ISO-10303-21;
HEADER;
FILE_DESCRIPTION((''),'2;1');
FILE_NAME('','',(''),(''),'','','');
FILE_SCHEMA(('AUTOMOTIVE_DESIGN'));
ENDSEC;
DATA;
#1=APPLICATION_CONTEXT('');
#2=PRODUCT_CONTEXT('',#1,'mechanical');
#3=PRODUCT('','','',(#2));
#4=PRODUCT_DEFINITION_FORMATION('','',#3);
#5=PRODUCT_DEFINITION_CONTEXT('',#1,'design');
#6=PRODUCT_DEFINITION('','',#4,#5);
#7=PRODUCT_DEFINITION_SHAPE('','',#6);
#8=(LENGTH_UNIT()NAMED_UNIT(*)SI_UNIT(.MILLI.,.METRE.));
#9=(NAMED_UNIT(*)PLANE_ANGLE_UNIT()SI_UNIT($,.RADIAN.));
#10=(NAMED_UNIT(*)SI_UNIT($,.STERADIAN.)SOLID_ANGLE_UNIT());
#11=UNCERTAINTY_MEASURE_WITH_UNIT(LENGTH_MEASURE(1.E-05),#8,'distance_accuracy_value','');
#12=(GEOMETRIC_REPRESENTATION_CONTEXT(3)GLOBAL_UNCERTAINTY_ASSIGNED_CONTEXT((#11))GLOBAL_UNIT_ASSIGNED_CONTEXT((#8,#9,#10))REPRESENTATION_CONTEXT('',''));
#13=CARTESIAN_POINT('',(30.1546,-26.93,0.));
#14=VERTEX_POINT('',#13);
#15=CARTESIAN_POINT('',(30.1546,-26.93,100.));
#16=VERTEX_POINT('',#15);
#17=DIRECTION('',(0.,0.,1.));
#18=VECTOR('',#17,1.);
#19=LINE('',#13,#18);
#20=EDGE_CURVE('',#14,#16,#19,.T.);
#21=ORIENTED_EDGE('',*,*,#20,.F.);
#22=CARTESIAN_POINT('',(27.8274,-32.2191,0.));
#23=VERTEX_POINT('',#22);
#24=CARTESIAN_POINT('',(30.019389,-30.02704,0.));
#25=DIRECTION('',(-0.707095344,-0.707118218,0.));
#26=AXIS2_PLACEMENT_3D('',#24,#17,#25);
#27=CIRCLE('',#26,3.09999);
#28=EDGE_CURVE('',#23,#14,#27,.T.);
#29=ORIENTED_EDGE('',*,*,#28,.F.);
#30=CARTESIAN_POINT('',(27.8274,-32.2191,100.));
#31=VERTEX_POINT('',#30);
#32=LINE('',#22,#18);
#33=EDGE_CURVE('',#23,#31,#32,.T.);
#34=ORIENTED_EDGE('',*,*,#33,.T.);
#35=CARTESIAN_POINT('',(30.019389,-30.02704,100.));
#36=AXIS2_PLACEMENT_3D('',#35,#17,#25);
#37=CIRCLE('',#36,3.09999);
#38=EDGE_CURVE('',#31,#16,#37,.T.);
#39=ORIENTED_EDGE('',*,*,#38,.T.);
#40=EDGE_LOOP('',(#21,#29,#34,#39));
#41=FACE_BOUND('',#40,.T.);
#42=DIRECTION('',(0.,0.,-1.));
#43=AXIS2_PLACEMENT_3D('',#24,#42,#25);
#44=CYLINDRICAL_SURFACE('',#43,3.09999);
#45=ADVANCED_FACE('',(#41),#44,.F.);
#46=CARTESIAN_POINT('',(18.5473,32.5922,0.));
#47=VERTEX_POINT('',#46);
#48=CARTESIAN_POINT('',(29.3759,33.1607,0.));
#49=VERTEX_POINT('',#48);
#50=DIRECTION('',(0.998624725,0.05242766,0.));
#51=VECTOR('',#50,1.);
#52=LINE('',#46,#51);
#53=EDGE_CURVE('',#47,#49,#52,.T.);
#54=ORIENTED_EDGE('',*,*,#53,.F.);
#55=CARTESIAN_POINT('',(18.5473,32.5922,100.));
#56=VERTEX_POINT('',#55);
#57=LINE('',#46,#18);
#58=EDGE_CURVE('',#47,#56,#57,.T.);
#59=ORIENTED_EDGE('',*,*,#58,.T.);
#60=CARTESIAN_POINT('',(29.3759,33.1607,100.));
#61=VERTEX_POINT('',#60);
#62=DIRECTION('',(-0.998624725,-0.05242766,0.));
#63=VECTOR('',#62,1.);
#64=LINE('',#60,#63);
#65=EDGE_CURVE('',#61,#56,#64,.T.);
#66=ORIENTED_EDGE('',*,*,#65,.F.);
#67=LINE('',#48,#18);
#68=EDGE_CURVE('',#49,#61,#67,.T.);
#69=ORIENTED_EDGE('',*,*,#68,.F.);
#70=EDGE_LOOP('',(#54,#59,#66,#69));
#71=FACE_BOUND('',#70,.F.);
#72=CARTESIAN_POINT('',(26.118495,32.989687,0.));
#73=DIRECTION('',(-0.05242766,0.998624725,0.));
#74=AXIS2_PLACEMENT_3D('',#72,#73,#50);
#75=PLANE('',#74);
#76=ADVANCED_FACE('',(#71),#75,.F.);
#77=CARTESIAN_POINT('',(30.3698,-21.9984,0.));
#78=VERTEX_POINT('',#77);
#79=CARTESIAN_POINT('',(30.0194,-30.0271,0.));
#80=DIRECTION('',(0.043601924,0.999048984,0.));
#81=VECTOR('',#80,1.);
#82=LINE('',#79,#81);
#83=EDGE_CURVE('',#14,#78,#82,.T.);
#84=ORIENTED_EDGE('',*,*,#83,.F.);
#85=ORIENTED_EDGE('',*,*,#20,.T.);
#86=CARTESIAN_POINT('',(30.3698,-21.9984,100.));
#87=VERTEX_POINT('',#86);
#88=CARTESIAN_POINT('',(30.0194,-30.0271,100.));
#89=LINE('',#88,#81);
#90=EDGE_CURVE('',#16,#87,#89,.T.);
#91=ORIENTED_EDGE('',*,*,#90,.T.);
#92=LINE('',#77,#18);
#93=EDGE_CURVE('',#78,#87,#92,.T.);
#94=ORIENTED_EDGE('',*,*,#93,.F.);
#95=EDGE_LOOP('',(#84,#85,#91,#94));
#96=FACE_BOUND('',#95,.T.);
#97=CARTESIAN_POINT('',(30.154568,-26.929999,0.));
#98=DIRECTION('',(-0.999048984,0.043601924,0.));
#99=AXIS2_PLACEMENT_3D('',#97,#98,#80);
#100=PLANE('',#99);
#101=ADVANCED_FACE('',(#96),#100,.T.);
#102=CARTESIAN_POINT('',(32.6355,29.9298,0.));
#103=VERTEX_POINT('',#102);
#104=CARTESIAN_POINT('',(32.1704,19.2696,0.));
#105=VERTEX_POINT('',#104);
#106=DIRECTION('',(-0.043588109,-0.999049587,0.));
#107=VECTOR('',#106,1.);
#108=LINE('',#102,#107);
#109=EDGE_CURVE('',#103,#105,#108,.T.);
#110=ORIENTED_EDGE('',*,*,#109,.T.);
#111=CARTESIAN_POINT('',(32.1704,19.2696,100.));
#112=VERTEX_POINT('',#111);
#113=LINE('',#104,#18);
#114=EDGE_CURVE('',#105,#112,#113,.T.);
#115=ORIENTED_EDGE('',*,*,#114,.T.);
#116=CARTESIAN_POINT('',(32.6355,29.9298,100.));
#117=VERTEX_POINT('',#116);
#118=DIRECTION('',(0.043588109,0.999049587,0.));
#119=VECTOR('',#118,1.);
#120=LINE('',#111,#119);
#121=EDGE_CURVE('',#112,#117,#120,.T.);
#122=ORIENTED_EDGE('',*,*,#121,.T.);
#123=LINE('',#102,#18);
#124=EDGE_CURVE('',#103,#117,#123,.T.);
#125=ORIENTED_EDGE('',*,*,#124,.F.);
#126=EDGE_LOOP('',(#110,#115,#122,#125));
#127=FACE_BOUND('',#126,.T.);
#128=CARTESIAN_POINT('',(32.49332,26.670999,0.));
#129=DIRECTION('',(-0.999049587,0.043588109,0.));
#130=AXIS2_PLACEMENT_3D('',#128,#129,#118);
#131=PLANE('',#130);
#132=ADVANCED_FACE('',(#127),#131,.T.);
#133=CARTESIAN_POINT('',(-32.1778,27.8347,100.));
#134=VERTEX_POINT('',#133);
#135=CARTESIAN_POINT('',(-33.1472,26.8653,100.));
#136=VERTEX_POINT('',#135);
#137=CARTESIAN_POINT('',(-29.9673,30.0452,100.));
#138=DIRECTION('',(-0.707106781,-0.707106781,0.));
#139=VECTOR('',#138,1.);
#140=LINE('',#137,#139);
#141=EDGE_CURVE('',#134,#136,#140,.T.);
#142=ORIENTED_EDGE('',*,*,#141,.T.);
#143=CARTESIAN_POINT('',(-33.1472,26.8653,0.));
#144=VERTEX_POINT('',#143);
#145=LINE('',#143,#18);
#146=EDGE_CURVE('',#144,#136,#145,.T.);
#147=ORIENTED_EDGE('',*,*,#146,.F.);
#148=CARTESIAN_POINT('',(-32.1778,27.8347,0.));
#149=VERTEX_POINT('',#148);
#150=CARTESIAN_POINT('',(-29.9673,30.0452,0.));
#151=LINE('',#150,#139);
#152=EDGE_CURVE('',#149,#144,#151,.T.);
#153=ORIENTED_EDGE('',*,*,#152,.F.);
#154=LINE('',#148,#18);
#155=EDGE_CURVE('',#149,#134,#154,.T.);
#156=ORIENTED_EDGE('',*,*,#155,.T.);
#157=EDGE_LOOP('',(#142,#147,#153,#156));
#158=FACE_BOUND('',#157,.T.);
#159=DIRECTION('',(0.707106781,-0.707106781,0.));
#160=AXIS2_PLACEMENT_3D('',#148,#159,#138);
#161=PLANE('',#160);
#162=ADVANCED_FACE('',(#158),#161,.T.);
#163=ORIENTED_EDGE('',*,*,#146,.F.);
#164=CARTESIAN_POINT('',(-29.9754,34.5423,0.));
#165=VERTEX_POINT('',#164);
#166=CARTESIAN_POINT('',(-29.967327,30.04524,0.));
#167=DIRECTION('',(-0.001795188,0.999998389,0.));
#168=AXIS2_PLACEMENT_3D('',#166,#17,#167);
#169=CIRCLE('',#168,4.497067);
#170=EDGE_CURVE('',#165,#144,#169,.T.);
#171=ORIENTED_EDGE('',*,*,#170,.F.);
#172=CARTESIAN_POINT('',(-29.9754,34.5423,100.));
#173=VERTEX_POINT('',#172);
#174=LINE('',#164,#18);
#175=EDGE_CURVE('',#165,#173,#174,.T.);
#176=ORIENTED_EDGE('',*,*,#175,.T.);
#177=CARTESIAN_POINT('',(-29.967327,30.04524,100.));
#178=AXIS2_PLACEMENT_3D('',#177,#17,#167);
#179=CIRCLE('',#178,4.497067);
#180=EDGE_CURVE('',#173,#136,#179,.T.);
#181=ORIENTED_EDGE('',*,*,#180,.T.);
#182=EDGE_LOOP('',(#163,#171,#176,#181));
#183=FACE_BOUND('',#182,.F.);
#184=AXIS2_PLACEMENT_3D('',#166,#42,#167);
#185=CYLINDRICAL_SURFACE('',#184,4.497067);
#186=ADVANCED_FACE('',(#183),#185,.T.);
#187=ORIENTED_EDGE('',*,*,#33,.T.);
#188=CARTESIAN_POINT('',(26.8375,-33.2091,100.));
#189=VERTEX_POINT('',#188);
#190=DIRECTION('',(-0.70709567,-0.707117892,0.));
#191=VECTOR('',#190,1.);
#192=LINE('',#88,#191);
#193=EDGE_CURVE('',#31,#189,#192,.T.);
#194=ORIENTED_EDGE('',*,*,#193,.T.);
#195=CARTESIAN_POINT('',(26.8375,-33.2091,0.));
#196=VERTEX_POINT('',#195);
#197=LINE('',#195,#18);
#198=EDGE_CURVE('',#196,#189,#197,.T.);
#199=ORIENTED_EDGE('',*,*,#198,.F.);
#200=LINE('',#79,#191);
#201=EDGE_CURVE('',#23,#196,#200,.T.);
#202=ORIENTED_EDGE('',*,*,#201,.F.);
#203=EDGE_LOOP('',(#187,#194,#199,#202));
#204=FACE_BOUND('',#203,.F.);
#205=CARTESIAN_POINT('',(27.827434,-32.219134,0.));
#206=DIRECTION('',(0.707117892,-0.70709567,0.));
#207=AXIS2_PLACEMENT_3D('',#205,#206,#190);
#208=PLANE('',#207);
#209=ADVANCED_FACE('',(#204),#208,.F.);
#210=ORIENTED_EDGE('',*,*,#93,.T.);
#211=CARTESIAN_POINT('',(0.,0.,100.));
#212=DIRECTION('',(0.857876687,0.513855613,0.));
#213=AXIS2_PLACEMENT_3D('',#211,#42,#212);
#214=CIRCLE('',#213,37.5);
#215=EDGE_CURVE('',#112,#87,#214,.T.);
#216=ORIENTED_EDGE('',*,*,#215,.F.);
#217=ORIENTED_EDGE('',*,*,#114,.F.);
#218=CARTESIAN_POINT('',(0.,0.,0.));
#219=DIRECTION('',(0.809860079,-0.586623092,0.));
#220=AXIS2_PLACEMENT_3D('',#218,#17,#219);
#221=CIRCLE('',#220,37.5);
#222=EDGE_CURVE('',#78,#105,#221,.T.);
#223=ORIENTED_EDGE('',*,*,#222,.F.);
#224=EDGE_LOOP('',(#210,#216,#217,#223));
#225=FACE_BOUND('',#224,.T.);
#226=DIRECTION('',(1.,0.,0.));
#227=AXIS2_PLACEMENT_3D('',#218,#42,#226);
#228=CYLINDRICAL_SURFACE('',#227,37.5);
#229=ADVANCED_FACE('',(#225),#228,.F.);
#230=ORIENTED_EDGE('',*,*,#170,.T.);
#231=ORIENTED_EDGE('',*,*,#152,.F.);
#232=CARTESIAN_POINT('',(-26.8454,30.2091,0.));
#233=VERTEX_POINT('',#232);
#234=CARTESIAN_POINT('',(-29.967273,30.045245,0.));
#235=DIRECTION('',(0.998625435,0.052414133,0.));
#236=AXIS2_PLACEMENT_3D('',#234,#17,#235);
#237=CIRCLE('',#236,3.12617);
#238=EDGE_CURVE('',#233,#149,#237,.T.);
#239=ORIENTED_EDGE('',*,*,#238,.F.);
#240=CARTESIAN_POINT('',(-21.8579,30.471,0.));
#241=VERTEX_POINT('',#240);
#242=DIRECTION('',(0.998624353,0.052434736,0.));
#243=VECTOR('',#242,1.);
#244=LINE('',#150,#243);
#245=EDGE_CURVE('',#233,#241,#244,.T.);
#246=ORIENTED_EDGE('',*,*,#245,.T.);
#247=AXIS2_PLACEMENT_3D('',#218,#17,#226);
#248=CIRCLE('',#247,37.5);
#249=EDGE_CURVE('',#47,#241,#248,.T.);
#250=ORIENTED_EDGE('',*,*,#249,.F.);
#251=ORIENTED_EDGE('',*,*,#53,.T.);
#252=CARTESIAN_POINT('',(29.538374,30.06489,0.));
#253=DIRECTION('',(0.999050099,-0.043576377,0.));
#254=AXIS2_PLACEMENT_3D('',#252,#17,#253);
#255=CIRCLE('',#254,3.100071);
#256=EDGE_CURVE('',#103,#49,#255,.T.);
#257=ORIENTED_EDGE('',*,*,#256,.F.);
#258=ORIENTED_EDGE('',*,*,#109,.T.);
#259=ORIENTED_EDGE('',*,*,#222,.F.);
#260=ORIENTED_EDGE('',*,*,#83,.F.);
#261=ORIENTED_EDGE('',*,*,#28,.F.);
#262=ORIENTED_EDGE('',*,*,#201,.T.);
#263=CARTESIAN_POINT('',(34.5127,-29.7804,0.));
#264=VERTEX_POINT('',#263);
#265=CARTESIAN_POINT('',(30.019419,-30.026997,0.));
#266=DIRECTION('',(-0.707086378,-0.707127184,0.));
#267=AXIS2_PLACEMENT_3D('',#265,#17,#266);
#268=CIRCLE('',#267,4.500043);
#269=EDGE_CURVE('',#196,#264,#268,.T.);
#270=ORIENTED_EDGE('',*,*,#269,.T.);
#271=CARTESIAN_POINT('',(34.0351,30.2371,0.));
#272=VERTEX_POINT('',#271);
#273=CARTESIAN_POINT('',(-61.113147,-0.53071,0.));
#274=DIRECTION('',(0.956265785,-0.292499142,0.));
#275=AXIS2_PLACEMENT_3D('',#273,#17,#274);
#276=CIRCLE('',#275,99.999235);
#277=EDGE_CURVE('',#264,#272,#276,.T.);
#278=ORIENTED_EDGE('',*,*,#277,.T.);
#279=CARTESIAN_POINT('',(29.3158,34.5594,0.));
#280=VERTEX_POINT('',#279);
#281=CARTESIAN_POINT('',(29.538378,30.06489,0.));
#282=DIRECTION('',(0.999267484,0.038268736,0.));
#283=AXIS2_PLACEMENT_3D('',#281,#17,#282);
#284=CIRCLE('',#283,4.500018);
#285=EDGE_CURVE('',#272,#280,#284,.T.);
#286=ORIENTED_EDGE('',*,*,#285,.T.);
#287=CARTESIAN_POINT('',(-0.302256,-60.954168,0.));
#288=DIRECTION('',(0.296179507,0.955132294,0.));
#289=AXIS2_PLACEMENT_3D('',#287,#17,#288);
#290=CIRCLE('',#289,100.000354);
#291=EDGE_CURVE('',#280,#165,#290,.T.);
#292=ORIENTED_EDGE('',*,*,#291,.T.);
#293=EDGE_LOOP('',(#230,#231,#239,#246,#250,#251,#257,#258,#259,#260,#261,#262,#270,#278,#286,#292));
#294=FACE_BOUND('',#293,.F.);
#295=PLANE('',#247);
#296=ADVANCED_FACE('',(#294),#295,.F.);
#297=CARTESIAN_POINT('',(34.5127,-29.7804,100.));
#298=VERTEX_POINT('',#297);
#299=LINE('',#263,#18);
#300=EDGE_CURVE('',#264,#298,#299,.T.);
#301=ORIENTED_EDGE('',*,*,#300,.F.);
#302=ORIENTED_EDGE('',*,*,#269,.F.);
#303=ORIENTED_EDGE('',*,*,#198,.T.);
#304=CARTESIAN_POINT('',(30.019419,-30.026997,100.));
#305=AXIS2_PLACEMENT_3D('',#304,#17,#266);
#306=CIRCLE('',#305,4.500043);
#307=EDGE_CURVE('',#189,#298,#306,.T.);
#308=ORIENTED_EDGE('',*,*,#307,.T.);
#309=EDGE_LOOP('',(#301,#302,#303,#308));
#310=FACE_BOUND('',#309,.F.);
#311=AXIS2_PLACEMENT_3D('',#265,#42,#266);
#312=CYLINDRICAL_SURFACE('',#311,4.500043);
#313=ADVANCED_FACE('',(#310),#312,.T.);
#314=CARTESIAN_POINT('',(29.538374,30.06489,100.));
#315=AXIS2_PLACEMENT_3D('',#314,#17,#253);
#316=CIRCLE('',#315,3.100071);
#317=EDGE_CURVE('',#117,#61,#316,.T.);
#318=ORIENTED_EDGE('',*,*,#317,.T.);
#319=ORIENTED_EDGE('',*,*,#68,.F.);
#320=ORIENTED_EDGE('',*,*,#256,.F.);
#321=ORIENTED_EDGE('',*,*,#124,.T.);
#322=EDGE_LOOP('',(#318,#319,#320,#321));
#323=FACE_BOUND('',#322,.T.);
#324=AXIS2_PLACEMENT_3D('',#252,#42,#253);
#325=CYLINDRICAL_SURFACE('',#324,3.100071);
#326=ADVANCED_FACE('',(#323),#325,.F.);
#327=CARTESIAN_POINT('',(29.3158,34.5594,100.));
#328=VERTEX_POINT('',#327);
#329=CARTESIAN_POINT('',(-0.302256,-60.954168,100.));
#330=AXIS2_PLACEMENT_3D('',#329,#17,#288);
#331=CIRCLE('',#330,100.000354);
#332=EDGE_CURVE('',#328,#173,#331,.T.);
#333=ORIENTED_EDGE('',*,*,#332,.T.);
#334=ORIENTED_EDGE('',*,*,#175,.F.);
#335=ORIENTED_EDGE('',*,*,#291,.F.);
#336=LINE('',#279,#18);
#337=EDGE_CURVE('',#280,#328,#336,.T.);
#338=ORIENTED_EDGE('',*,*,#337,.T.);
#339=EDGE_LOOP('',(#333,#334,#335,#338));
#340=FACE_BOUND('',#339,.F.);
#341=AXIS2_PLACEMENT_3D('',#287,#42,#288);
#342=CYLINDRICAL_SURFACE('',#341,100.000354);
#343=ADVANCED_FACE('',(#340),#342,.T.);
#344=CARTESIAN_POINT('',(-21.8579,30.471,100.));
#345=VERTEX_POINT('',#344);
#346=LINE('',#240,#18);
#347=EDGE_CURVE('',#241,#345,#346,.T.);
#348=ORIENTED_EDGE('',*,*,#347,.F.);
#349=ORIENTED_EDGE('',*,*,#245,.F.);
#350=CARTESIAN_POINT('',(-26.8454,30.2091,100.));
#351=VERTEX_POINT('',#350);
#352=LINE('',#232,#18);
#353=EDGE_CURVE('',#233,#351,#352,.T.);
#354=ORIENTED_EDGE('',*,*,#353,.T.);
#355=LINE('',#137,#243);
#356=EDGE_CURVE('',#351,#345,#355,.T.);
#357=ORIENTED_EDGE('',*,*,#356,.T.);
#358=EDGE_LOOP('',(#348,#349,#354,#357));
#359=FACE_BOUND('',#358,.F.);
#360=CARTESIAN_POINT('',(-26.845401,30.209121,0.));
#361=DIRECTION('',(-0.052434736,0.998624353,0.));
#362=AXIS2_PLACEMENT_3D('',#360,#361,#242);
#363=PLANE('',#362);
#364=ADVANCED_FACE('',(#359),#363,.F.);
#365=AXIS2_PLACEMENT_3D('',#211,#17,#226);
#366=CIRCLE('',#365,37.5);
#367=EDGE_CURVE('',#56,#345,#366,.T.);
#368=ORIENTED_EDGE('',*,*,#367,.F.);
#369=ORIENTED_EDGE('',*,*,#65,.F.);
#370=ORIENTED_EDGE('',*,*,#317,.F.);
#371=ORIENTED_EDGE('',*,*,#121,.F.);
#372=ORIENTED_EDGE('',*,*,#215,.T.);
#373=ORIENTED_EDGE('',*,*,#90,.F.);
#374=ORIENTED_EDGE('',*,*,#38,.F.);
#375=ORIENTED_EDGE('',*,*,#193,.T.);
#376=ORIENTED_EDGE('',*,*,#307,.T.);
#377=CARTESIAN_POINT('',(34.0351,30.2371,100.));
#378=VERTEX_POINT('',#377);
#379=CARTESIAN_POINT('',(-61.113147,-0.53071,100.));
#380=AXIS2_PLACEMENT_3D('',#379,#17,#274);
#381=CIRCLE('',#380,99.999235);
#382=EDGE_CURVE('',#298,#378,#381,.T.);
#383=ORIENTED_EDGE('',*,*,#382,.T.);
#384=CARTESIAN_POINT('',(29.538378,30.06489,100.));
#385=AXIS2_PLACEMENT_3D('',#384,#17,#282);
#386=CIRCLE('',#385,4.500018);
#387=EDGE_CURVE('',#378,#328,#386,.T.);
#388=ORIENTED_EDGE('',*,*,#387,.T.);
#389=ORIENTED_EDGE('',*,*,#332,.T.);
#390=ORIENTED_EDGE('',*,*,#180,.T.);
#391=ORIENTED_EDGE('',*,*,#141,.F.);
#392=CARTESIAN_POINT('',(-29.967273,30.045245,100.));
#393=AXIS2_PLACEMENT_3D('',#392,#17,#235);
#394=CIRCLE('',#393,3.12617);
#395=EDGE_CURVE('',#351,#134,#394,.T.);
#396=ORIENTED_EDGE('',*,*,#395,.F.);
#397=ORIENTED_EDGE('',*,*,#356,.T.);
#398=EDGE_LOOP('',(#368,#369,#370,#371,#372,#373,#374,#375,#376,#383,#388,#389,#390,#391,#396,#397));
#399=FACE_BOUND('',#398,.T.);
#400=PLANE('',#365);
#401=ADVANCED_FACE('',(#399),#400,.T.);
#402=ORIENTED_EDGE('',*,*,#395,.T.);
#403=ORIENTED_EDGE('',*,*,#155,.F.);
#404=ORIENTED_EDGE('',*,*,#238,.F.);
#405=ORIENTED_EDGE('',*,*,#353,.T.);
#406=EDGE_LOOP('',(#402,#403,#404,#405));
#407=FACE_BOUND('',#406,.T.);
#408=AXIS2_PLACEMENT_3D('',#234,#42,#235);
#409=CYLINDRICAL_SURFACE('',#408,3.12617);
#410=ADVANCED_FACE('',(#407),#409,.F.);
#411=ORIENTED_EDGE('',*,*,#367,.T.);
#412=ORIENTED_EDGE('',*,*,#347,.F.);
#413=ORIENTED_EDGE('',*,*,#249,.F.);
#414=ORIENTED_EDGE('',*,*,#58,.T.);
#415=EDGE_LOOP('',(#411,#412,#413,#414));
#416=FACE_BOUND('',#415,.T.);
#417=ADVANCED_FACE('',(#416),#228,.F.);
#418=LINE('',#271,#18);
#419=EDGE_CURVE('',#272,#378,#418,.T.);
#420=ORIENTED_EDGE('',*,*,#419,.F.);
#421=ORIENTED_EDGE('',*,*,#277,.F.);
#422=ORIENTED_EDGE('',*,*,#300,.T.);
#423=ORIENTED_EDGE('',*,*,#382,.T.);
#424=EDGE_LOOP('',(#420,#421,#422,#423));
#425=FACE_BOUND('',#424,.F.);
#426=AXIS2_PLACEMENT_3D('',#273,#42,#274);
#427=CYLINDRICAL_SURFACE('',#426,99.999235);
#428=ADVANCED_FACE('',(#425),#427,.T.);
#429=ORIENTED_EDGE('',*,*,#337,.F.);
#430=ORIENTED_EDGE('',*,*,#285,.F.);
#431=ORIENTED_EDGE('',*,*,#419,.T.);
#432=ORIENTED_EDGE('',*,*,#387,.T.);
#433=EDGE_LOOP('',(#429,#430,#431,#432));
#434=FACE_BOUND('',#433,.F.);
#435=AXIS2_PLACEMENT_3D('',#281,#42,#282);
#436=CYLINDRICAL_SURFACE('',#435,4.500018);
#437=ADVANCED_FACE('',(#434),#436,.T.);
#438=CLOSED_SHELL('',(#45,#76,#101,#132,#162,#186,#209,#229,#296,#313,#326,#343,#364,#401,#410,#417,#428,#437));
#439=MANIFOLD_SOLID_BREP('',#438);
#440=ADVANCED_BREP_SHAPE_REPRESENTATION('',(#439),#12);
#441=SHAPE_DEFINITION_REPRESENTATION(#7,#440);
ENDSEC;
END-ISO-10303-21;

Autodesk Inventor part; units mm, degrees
ref_plane "YZ Plane" through (0, 0, 0) normal (1, 0, 0) x (0, 1, 0)
ref_plane "XZ Plane" through (0, 0, 0) normal (0, 1, 0) x (-1, 0, 0)
ref_plane "XY Plane" through (0, 0, 0) normal (0, 0, 1) x (1, 0, 0)
sketch "Sketch1" plane through (0, 0, 0) normal (0, 0, 1) x (1, 0, 0)
  arc A0 (32.6355, 29.9298) -> (29.3759, 33.1607) centre (29.5384, 30.0649) ccw
  arc A1 (27.8274, -32.2191) -> (30.1546, -26.93) centre (30.0194, -30.0271) ccw
  arc A2 (32.4933, 26.671) -> (34.0351, 30.2371) centre (29.5384, 30.0649) ccw
  arc A3 (26.8375, -33.2091) -> (34.5127, -29.7804) centre (30.0194, -30.0271) ccw
  line L0 (-29.9673, 30.0452) -> (-33.1472, 26.8653)
  line L1 (-29.9673, 30.0452) -> (-25.4702, 30.0452) construction
  line L2 (-29.9673, 30.0452) -> (-21.8579, 30.471)
  line L3 (30.0194, -30.0271) -> (30.3698, -21.9984)
  line L4 (30.0194, -30.0271) -> (26.8375, -33.2091)
  circle A4 centre (0, 0) radius 37.5
  arc A5 (34.5127, -29.7804) -> (34.0351, 30.2371) centre (-61.1139, -0.5306) ccw
  arc A6 (29.3158, 34.5594) -> (-29.9754, 34.5423) centre (-0.3022, -60.9538) ccw
  line L5 (18.5473, 32.5922) -> (29.3759, 33.1607)
  line L6 (32.1704, 19.2696) -> (32.6355, 29.9298)
  arc A7 (29.3158, 34.5594) -> (26.1185, 32.9896) centre (29.5384, 30.0649) ccw
  arc A8 (34.0351, 30.2371) -> (29.3158, 34.5594) centre (29.5384, 30.0649) ccw
  arc A9 (-29.9754, 34.5423) -> (-33.1472, 26.8653) centre (-29.9673, 30.0452) ccw
  arc A10 (-26.8454, 30.2091) -> (-32.1778, 27.8347) centre (-29.9673, 30.0452) ccw
  dimension "d0" = 6.2
  dimension "d1" = 6.2
  dimension "d6" = 9
  dimension "d7" = 9
  dimension "d8" = 135
  dimension "d9" = 75
  dimension "d11" = 100
  dimension "d12" = 100
extrude "Extrusion1" add sketch "Sketch1" along normal blind 100 contours A0 L5 A7 A8 A2 L6 | A2 A5 A3 L4 A1 L3 A4 L6 | L5 A4 L2 A10 L0 A9 A6 A7
properties part number "Cage60mm-2sides-InnerD75mm-L100mm"
